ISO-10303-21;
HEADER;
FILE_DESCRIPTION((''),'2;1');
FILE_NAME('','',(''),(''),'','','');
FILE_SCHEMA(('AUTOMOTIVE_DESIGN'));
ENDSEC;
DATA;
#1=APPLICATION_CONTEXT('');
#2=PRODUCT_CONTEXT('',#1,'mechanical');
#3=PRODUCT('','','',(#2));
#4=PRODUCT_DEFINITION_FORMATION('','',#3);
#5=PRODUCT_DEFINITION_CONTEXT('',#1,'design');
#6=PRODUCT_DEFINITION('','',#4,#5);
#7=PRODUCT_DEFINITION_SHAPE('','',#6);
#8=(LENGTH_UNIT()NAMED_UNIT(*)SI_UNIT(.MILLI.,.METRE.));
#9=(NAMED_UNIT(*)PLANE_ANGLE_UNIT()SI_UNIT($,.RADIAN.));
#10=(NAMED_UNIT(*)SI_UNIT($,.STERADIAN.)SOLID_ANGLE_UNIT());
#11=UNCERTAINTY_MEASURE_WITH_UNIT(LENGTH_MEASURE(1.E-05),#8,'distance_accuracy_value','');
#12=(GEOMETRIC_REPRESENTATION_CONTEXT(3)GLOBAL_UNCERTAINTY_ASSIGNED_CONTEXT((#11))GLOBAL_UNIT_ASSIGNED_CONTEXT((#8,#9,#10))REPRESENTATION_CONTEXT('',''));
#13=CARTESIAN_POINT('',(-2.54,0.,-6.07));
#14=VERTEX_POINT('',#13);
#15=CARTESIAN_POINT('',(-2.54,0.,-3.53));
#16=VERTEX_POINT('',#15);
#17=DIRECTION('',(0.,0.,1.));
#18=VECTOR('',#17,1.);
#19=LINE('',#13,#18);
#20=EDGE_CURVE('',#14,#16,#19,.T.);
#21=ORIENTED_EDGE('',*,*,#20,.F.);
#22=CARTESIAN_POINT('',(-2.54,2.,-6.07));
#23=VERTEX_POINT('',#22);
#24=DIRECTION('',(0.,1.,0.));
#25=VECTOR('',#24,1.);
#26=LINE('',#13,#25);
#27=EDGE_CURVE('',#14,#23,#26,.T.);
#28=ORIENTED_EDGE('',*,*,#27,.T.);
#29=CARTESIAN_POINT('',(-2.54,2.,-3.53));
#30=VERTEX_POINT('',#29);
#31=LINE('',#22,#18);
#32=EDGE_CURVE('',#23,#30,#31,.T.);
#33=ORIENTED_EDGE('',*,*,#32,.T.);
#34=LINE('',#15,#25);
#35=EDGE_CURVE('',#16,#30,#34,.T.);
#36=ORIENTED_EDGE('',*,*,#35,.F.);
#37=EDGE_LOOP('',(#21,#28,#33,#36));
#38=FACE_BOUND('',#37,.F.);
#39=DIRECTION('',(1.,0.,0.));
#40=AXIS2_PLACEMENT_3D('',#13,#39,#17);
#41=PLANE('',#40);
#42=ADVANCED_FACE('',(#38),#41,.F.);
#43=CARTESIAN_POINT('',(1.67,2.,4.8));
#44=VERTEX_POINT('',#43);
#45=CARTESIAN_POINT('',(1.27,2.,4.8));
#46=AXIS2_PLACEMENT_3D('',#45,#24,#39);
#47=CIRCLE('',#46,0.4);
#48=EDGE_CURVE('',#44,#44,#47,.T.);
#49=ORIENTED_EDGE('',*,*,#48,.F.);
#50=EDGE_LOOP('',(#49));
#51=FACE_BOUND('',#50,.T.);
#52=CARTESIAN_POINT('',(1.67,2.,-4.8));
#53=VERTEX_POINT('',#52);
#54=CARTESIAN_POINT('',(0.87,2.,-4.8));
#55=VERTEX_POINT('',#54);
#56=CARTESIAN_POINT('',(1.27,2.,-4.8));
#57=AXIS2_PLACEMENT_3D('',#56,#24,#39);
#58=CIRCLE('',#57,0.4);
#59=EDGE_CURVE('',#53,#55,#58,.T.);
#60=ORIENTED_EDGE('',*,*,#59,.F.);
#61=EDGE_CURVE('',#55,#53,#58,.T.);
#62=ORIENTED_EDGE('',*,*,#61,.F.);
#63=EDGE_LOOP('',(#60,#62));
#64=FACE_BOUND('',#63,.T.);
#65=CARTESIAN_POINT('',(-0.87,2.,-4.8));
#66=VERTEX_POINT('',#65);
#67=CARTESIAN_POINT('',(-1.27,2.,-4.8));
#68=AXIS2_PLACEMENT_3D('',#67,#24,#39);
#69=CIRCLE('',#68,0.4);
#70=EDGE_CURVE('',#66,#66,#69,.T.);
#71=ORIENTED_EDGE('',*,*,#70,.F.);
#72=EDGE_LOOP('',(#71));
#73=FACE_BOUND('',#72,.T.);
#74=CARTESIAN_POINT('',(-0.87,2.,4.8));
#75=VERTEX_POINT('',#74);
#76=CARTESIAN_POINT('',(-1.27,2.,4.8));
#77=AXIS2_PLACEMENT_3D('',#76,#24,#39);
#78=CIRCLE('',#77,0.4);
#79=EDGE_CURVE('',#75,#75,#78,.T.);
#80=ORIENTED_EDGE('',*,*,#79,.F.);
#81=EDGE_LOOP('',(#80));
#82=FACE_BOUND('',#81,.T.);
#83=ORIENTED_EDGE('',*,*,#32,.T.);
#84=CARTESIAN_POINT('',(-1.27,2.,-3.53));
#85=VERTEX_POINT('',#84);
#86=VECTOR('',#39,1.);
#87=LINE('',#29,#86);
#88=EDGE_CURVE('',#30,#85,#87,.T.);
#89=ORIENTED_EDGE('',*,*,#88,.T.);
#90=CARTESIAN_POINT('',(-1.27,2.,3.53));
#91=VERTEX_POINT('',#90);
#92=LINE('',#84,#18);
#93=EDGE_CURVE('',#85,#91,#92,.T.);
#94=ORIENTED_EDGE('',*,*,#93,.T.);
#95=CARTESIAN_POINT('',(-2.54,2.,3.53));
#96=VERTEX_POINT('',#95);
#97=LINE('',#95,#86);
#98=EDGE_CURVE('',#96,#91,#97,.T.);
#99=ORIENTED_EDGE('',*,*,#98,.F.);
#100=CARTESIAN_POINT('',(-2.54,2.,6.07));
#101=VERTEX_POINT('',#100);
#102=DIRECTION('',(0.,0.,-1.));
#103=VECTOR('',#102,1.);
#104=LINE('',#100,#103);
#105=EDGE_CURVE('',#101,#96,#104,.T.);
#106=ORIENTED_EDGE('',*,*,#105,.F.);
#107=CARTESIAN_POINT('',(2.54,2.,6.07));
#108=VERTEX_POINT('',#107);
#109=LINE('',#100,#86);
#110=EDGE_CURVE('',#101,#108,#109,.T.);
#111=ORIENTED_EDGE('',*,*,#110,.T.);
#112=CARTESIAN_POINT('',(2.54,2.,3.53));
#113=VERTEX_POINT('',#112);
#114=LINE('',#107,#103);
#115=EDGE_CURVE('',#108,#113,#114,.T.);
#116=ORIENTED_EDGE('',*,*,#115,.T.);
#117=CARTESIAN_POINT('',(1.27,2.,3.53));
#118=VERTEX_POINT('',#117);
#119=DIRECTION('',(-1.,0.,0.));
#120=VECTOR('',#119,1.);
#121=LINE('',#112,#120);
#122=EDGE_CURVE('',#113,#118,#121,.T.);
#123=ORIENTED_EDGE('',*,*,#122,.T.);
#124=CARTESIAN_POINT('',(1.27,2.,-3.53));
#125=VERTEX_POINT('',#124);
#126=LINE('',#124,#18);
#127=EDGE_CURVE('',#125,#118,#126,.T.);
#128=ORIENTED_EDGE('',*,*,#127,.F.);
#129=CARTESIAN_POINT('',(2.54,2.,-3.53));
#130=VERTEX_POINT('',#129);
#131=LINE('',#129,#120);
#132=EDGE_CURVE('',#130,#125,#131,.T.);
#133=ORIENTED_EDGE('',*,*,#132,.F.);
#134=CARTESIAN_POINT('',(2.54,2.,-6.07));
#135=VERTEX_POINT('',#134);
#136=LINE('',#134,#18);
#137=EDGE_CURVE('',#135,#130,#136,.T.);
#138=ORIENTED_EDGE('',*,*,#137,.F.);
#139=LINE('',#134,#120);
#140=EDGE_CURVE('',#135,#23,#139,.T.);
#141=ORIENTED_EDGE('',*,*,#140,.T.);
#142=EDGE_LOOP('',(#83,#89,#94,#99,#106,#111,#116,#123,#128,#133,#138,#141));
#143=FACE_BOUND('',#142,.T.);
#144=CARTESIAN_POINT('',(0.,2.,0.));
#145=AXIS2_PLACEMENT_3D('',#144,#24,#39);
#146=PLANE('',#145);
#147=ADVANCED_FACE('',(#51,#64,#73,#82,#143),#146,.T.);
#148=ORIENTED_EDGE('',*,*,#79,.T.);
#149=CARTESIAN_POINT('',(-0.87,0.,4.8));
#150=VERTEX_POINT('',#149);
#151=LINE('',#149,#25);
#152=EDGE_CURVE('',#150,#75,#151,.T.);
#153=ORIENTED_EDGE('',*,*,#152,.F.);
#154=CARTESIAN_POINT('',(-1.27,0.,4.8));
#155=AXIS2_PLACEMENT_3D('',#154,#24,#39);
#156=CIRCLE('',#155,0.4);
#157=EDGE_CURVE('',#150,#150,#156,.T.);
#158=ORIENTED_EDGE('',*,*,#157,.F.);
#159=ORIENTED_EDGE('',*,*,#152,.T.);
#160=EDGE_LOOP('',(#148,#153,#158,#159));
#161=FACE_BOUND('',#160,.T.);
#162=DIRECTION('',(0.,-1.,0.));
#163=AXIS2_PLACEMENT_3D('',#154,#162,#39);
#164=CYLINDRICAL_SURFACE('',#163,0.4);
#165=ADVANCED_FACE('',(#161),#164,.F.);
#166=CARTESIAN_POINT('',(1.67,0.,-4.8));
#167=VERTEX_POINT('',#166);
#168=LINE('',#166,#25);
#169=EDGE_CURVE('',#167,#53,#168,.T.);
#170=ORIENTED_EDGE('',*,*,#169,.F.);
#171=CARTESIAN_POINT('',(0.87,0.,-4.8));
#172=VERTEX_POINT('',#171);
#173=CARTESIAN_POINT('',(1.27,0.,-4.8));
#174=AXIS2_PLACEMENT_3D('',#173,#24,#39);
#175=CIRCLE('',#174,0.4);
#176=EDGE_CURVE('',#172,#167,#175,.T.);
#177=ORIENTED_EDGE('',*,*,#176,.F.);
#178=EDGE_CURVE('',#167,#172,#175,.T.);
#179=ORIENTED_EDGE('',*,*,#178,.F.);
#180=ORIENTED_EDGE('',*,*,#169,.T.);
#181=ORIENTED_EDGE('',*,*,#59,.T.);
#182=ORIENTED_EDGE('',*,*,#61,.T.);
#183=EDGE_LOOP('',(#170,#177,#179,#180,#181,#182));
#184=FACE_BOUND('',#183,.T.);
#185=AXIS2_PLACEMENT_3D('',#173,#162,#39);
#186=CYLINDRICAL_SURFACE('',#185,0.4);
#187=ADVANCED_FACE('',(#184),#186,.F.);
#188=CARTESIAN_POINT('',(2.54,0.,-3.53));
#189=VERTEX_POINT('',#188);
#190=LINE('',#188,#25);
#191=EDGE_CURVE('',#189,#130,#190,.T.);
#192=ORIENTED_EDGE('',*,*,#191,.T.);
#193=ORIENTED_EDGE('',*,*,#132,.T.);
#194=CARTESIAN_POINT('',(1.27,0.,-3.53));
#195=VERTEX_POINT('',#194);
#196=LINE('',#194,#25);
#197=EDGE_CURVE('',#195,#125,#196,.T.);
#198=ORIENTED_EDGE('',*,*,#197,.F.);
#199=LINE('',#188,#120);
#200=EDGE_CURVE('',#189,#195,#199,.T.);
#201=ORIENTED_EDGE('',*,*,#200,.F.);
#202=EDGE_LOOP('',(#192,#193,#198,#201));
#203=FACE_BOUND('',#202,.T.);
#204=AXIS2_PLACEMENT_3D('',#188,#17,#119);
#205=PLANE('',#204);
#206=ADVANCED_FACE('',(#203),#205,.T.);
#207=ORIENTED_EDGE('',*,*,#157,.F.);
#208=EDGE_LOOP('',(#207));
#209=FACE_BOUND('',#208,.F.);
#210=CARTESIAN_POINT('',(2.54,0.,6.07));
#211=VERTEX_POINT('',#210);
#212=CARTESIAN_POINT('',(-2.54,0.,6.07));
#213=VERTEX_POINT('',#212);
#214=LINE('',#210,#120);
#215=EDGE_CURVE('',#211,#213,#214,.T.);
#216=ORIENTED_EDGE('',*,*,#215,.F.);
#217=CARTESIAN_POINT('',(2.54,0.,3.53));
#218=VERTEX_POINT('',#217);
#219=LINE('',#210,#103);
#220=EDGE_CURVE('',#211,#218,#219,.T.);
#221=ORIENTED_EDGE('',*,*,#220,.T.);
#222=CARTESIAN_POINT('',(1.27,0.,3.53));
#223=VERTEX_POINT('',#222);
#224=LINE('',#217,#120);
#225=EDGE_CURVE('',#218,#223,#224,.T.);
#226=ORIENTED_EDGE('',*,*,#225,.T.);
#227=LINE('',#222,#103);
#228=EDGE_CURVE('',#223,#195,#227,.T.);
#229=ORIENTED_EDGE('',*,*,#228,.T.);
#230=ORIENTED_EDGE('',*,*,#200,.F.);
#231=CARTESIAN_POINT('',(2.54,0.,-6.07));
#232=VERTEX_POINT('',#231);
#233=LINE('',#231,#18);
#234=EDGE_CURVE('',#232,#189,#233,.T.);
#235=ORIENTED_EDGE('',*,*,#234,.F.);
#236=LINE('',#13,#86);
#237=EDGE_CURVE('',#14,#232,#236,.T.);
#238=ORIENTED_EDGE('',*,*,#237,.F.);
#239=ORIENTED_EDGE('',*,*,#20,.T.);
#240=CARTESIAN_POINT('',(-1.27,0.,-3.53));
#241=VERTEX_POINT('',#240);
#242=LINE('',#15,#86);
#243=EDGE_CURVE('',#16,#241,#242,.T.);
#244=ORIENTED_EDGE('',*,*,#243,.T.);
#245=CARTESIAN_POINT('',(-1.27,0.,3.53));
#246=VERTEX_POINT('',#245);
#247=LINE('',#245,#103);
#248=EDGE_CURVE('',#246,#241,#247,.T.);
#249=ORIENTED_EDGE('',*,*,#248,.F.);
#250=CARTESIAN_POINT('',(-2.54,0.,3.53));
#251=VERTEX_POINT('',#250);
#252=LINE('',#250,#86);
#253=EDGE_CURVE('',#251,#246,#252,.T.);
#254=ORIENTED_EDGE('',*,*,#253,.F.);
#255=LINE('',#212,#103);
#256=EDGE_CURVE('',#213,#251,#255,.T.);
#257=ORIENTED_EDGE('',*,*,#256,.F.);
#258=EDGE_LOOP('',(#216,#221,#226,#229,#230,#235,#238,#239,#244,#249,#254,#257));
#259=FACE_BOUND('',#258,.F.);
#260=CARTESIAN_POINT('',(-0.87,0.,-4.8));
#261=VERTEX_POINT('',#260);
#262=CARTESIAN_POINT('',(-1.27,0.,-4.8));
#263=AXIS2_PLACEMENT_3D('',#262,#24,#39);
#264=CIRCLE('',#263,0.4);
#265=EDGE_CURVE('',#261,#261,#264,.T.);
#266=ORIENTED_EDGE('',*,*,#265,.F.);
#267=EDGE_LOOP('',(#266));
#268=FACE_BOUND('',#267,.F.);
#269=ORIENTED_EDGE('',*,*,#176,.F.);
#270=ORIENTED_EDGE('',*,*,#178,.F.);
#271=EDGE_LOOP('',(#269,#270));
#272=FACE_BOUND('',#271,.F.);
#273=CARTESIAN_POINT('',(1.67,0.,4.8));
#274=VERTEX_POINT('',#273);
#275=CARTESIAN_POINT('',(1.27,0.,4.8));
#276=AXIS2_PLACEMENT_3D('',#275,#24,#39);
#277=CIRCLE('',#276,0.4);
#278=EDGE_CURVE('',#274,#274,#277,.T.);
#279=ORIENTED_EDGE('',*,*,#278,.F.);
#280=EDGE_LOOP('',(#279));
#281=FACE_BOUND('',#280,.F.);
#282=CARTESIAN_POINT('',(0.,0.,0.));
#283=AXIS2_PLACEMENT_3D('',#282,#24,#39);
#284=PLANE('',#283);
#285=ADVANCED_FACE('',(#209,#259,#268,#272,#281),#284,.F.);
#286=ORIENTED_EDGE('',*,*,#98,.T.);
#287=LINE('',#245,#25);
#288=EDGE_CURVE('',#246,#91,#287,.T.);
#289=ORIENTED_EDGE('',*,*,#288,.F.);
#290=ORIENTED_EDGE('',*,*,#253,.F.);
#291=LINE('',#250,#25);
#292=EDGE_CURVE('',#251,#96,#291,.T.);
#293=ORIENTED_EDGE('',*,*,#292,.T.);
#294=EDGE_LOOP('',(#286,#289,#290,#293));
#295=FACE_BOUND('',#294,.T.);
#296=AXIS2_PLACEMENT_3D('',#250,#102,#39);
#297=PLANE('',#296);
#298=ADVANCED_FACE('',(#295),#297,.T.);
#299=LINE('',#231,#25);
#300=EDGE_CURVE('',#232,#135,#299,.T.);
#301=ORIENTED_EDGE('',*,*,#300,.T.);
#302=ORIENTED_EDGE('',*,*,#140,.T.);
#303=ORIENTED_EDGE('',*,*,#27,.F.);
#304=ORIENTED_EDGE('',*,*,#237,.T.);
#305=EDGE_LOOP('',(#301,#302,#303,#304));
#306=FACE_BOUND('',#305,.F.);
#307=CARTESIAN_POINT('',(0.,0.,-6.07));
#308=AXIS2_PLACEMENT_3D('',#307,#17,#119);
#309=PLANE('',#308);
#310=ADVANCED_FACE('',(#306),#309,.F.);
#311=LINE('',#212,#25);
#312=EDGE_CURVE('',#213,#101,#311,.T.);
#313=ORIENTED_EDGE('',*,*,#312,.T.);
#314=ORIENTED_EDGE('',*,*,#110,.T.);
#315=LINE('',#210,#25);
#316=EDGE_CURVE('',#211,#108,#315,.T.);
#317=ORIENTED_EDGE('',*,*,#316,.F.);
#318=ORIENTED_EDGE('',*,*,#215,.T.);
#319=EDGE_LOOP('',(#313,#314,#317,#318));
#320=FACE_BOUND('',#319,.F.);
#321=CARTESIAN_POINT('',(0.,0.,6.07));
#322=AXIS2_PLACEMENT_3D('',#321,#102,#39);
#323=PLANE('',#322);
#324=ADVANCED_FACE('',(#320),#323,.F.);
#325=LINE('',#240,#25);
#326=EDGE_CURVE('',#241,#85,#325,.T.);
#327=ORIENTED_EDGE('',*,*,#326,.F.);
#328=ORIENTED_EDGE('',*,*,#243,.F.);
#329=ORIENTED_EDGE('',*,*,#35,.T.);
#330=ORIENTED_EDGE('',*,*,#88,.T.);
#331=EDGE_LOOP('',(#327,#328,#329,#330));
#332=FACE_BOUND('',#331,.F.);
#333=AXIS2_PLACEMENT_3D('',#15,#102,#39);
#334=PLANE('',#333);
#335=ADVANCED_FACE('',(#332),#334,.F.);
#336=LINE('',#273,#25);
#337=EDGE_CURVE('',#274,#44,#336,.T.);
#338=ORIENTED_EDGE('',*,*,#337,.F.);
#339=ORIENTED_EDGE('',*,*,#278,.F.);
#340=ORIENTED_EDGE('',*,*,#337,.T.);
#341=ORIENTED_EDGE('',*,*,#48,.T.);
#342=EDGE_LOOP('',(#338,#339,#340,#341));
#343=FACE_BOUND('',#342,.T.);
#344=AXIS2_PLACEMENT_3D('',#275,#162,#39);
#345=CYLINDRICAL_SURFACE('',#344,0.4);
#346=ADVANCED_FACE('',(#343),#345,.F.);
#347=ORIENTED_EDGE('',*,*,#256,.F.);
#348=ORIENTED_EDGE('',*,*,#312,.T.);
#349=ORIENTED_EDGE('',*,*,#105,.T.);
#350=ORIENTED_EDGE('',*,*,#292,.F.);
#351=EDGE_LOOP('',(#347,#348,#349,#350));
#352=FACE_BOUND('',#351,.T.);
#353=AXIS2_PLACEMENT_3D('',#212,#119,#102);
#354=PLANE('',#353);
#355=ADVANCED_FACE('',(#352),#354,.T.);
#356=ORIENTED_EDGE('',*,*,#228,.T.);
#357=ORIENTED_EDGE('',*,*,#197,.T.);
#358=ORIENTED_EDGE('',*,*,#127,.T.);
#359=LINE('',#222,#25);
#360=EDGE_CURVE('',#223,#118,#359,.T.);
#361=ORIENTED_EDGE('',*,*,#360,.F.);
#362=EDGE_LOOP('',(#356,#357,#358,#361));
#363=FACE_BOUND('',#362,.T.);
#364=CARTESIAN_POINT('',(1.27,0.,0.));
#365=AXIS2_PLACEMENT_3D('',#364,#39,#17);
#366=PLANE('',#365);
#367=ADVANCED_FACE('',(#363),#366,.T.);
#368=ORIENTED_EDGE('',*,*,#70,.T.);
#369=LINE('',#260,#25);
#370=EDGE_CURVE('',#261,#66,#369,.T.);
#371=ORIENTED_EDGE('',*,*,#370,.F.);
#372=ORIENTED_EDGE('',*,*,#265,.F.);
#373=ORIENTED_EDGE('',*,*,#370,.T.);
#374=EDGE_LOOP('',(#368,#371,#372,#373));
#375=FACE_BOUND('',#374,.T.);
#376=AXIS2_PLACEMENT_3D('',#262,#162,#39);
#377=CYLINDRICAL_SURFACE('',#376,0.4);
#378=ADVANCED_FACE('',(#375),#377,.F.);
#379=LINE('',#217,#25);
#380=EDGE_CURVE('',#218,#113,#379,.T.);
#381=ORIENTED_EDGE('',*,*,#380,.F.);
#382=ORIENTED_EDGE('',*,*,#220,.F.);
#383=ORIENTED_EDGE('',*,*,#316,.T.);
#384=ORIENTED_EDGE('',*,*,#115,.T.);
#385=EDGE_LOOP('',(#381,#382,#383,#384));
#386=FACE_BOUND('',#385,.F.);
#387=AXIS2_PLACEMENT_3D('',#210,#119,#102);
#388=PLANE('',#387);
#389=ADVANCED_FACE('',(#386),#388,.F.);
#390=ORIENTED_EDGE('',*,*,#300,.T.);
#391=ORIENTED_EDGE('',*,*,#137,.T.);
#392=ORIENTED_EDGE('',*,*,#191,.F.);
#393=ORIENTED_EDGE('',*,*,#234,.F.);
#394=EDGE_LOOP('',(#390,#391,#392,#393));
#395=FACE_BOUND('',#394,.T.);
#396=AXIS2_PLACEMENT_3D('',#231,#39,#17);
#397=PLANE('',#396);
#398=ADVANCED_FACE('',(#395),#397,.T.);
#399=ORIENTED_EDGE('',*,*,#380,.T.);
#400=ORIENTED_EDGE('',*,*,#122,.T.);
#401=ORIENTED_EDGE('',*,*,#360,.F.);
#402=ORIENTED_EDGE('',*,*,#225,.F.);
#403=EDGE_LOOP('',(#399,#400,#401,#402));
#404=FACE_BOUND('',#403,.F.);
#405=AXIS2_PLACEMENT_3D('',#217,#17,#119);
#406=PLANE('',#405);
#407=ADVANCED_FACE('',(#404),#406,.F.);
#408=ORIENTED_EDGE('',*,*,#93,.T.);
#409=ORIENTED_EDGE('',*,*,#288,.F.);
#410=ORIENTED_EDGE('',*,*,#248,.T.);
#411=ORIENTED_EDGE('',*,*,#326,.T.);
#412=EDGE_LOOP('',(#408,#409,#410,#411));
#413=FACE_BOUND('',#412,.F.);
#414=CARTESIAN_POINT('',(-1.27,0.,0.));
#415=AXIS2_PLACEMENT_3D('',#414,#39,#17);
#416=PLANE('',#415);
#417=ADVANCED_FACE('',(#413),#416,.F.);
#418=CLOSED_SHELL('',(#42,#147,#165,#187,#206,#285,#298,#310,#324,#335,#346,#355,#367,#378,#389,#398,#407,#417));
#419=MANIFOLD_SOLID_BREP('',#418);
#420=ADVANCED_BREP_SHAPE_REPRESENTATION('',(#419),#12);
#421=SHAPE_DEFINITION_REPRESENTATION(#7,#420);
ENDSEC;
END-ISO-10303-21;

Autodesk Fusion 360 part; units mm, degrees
sketch "スケッチ1" plane through (0, 0, 0) normal (0, 1, 0) x (1, 0, 0)
  line L0 (0, 0) -> (0, 4.8)
  line L1 (0, 4.8) -> (1.27, 4.8)
  circle A0 centre (1.27, 4.8) radius 0.4
  circle A1 centre (-1.27, 4.8) radius 0.4
  circle A2 centre (-1.27, -4.8) radius 0.4
  circle A3 centre (1.27, -4.8) radius 0.4
  line L2 (-2.54, 3.53) -> (0, 3.53)
  line L3 (0, 3.53) -> (0, 6.07)
  line L4 (0, 6.07) -> (-2.54, 6.07)
  line L5 (-2.54, 6.07) -> (-2.54, 3.53)
  line L6 (-2.54, 3.53) -> (0, 6.07) construction
  line L7 (0, 3.53) -> (-2.54, 6.07) construction
  line L8 (2.54, 3.53) -> (0, 3.53)
  line L9 (2.54, 6.07) -> (2.54, 3.53)
  line L10 (0, 6.07) -> (2.54, 6.07)
  line L11 (0, 0) -> (1.27, 0)
  line L12 (-2.54, -3.53) -> (0, -3.53)
  line L13 (-2.54, -6.07) -> (-2.54, -3.53)
  line L14 (0, -6.07) -> (-2.54, -6.07)
  line L15 (0, -6.07) -> (2.54, -6.07)
  line L16 (2.54, -6.07) -> (2.54, -3.53)
  line L17 (2.54, -3.53) -> (0, -3.53)
  line L18 (1.27, 0) -> (1.27, 3.53)
  line L19 (-1.27, 0) -> (-1.27, 3.53)
  line L20 (1.27, 0) -> (1.27, -3.53)
  line L21 (-1.27, 0) -> (-1.27, -3.53)
  point P0 (-1.27, 4.8)
  dimension "d1" = 4.8
  dimension "d2" = 1.27
  dimension "d3" = 0.8
  dimension "d4" = 2.54
  dimension "d5" = 2.54
  dimension "d6" = 1.27
extrude "押し出し1" add sketch "スケッチ1" along normal blind 2
